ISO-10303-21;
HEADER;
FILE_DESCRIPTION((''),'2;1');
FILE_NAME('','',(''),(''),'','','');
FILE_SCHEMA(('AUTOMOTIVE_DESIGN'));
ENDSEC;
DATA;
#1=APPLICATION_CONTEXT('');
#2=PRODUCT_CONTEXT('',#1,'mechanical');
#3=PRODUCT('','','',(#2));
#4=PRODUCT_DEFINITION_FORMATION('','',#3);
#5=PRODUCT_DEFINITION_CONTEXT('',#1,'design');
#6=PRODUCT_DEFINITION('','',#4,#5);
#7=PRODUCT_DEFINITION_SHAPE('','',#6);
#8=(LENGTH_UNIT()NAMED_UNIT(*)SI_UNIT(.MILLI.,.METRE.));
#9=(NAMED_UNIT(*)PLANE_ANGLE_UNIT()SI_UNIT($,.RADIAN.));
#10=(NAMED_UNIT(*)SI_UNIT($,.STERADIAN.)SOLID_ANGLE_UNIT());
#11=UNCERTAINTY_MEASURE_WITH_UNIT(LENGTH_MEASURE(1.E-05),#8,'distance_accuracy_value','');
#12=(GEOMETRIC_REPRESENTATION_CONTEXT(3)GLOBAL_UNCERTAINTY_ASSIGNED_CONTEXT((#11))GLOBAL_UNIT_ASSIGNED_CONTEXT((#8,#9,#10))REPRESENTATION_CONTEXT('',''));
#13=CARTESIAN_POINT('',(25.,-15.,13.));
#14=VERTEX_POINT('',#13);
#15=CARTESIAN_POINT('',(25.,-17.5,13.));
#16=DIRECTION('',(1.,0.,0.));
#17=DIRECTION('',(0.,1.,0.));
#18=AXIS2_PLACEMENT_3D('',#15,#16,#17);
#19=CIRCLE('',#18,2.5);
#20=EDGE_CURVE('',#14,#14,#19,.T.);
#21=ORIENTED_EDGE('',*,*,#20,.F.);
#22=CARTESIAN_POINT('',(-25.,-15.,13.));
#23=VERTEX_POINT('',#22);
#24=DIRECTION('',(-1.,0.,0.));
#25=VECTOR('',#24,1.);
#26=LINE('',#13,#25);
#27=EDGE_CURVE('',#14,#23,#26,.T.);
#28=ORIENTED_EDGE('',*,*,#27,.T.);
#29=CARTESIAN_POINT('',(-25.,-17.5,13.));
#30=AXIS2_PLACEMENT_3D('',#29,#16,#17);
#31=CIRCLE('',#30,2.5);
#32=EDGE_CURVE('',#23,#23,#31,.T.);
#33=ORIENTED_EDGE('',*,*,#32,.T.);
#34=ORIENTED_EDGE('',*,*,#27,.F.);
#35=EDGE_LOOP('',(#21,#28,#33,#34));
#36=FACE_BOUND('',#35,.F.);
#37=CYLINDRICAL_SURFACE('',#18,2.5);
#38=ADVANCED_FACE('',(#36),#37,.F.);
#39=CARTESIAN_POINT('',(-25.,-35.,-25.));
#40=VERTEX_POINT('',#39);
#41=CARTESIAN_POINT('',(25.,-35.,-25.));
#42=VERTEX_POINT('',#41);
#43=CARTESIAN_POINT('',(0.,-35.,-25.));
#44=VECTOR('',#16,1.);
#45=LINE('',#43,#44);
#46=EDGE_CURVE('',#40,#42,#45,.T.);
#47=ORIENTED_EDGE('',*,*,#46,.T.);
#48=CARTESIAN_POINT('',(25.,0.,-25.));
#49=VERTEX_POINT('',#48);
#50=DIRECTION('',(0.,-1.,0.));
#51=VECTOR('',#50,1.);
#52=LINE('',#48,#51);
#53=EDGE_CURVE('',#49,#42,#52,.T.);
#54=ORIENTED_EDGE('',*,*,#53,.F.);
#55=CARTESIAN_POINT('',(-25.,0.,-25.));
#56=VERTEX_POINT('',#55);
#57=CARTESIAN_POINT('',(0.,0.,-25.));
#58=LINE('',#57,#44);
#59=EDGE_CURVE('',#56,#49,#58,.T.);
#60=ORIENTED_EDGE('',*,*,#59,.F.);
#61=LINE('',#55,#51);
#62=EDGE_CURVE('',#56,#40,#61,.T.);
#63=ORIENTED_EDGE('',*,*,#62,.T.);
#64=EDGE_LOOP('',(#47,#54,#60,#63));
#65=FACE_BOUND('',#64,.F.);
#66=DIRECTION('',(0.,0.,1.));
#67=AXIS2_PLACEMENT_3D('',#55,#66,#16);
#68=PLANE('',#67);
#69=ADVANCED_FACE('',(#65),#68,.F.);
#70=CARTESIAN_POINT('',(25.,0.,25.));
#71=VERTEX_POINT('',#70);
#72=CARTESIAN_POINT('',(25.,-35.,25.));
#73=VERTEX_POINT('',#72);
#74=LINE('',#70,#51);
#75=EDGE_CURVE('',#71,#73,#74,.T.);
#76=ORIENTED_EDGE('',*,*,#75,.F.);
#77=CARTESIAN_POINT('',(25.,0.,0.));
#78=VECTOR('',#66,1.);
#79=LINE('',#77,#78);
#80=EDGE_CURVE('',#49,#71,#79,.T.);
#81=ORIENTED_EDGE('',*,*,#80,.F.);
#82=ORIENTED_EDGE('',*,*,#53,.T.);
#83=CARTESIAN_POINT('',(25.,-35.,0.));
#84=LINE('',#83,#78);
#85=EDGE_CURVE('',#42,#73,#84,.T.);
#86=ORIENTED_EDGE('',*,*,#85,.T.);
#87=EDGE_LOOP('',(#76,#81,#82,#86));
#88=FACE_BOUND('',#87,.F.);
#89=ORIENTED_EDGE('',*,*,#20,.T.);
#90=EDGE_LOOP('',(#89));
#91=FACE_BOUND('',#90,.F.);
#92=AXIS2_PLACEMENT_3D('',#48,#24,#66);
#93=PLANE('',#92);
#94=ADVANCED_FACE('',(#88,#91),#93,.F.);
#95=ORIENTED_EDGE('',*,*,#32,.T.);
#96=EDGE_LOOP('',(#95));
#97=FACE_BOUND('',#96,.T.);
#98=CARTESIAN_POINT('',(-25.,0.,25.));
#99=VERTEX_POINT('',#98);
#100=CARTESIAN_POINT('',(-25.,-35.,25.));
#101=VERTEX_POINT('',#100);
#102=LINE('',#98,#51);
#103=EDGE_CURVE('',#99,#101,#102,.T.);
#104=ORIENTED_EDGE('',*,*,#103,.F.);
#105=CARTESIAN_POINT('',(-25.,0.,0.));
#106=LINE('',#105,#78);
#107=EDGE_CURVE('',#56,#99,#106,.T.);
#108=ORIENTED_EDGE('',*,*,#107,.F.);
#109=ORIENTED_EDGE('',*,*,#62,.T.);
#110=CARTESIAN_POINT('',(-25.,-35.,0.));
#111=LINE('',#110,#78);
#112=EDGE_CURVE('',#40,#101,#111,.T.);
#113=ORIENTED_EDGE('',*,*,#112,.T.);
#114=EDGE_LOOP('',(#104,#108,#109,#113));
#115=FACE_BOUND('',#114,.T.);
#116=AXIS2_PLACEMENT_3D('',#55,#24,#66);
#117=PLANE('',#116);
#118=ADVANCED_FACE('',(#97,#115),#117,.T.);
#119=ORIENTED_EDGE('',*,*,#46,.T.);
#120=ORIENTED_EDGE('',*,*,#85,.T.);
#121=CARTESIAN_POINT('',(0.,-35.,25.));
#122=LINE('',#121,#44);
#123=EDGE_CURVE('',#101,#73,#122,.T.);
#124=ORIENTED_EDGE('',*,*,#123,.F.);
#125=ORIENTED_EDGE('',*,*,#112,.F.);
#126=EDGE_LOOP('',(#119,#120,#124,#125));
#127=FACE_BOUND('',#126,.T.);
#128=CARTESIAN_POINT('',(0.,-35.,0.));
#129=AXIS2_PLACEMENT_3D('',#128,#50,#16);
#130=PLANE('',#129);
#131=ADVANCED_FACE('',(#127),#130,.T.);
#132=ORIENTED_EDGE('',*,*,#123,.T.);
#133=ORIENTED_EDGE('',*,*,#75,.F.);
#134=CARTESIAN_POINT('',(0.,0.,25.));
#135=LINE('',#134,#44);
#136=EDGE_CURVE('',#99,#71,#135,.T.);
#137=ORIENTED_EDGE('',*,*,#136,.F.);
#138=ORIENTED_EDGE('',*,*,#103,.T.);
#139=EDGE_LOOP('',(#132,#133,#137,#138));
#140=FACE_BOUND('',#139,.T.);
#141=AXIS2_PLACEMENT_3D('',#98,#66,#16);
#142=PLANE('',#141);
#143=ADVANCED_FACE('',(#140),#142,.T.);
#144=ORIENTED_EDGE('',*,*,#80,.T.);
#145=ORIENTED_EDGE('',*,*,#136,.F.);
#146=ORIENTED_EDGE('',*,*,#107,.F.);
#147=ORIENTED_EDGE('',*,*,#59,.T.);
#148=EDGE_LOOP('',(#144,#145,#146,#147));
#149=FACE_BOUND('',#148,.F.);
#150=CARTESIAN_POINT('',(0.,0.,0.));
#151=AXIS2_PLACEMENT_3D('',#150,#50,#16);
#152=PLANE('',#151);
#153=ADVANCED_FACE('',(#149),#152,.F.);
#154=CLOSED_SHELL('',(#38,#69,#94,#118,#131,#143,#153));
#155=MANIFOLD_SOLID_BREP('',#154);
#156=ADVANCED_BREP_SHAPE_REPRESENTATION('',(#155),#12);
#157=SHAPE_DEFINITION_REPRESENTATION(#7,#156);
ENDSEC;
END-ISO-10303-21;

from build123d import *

# Parameters (mm, degrees)
F0_W     = 50
F0_H     = 50
F1_DEPTH = 35
F2_R     = 2.5
F3_DEPTH = 50.001


with BuildPart() as f1:
    # F0 (on Front) → F1 (new body)
    with BuildSketch(Plane.XZ):
        Rectangle(F0_W, F0_H)
    extrude(amount=F1_DEPTH)

    # F2 (on face) → F3 (cut, through all)
    with BuildSketch(Plane.YZ.offset(25)):
        with Locations((-17.5, 13)):
            Circle(F2_R)
    extrude(amount=-F3_DEPTH, mode=Mode.SUBTRACT)


solid = f1.part
